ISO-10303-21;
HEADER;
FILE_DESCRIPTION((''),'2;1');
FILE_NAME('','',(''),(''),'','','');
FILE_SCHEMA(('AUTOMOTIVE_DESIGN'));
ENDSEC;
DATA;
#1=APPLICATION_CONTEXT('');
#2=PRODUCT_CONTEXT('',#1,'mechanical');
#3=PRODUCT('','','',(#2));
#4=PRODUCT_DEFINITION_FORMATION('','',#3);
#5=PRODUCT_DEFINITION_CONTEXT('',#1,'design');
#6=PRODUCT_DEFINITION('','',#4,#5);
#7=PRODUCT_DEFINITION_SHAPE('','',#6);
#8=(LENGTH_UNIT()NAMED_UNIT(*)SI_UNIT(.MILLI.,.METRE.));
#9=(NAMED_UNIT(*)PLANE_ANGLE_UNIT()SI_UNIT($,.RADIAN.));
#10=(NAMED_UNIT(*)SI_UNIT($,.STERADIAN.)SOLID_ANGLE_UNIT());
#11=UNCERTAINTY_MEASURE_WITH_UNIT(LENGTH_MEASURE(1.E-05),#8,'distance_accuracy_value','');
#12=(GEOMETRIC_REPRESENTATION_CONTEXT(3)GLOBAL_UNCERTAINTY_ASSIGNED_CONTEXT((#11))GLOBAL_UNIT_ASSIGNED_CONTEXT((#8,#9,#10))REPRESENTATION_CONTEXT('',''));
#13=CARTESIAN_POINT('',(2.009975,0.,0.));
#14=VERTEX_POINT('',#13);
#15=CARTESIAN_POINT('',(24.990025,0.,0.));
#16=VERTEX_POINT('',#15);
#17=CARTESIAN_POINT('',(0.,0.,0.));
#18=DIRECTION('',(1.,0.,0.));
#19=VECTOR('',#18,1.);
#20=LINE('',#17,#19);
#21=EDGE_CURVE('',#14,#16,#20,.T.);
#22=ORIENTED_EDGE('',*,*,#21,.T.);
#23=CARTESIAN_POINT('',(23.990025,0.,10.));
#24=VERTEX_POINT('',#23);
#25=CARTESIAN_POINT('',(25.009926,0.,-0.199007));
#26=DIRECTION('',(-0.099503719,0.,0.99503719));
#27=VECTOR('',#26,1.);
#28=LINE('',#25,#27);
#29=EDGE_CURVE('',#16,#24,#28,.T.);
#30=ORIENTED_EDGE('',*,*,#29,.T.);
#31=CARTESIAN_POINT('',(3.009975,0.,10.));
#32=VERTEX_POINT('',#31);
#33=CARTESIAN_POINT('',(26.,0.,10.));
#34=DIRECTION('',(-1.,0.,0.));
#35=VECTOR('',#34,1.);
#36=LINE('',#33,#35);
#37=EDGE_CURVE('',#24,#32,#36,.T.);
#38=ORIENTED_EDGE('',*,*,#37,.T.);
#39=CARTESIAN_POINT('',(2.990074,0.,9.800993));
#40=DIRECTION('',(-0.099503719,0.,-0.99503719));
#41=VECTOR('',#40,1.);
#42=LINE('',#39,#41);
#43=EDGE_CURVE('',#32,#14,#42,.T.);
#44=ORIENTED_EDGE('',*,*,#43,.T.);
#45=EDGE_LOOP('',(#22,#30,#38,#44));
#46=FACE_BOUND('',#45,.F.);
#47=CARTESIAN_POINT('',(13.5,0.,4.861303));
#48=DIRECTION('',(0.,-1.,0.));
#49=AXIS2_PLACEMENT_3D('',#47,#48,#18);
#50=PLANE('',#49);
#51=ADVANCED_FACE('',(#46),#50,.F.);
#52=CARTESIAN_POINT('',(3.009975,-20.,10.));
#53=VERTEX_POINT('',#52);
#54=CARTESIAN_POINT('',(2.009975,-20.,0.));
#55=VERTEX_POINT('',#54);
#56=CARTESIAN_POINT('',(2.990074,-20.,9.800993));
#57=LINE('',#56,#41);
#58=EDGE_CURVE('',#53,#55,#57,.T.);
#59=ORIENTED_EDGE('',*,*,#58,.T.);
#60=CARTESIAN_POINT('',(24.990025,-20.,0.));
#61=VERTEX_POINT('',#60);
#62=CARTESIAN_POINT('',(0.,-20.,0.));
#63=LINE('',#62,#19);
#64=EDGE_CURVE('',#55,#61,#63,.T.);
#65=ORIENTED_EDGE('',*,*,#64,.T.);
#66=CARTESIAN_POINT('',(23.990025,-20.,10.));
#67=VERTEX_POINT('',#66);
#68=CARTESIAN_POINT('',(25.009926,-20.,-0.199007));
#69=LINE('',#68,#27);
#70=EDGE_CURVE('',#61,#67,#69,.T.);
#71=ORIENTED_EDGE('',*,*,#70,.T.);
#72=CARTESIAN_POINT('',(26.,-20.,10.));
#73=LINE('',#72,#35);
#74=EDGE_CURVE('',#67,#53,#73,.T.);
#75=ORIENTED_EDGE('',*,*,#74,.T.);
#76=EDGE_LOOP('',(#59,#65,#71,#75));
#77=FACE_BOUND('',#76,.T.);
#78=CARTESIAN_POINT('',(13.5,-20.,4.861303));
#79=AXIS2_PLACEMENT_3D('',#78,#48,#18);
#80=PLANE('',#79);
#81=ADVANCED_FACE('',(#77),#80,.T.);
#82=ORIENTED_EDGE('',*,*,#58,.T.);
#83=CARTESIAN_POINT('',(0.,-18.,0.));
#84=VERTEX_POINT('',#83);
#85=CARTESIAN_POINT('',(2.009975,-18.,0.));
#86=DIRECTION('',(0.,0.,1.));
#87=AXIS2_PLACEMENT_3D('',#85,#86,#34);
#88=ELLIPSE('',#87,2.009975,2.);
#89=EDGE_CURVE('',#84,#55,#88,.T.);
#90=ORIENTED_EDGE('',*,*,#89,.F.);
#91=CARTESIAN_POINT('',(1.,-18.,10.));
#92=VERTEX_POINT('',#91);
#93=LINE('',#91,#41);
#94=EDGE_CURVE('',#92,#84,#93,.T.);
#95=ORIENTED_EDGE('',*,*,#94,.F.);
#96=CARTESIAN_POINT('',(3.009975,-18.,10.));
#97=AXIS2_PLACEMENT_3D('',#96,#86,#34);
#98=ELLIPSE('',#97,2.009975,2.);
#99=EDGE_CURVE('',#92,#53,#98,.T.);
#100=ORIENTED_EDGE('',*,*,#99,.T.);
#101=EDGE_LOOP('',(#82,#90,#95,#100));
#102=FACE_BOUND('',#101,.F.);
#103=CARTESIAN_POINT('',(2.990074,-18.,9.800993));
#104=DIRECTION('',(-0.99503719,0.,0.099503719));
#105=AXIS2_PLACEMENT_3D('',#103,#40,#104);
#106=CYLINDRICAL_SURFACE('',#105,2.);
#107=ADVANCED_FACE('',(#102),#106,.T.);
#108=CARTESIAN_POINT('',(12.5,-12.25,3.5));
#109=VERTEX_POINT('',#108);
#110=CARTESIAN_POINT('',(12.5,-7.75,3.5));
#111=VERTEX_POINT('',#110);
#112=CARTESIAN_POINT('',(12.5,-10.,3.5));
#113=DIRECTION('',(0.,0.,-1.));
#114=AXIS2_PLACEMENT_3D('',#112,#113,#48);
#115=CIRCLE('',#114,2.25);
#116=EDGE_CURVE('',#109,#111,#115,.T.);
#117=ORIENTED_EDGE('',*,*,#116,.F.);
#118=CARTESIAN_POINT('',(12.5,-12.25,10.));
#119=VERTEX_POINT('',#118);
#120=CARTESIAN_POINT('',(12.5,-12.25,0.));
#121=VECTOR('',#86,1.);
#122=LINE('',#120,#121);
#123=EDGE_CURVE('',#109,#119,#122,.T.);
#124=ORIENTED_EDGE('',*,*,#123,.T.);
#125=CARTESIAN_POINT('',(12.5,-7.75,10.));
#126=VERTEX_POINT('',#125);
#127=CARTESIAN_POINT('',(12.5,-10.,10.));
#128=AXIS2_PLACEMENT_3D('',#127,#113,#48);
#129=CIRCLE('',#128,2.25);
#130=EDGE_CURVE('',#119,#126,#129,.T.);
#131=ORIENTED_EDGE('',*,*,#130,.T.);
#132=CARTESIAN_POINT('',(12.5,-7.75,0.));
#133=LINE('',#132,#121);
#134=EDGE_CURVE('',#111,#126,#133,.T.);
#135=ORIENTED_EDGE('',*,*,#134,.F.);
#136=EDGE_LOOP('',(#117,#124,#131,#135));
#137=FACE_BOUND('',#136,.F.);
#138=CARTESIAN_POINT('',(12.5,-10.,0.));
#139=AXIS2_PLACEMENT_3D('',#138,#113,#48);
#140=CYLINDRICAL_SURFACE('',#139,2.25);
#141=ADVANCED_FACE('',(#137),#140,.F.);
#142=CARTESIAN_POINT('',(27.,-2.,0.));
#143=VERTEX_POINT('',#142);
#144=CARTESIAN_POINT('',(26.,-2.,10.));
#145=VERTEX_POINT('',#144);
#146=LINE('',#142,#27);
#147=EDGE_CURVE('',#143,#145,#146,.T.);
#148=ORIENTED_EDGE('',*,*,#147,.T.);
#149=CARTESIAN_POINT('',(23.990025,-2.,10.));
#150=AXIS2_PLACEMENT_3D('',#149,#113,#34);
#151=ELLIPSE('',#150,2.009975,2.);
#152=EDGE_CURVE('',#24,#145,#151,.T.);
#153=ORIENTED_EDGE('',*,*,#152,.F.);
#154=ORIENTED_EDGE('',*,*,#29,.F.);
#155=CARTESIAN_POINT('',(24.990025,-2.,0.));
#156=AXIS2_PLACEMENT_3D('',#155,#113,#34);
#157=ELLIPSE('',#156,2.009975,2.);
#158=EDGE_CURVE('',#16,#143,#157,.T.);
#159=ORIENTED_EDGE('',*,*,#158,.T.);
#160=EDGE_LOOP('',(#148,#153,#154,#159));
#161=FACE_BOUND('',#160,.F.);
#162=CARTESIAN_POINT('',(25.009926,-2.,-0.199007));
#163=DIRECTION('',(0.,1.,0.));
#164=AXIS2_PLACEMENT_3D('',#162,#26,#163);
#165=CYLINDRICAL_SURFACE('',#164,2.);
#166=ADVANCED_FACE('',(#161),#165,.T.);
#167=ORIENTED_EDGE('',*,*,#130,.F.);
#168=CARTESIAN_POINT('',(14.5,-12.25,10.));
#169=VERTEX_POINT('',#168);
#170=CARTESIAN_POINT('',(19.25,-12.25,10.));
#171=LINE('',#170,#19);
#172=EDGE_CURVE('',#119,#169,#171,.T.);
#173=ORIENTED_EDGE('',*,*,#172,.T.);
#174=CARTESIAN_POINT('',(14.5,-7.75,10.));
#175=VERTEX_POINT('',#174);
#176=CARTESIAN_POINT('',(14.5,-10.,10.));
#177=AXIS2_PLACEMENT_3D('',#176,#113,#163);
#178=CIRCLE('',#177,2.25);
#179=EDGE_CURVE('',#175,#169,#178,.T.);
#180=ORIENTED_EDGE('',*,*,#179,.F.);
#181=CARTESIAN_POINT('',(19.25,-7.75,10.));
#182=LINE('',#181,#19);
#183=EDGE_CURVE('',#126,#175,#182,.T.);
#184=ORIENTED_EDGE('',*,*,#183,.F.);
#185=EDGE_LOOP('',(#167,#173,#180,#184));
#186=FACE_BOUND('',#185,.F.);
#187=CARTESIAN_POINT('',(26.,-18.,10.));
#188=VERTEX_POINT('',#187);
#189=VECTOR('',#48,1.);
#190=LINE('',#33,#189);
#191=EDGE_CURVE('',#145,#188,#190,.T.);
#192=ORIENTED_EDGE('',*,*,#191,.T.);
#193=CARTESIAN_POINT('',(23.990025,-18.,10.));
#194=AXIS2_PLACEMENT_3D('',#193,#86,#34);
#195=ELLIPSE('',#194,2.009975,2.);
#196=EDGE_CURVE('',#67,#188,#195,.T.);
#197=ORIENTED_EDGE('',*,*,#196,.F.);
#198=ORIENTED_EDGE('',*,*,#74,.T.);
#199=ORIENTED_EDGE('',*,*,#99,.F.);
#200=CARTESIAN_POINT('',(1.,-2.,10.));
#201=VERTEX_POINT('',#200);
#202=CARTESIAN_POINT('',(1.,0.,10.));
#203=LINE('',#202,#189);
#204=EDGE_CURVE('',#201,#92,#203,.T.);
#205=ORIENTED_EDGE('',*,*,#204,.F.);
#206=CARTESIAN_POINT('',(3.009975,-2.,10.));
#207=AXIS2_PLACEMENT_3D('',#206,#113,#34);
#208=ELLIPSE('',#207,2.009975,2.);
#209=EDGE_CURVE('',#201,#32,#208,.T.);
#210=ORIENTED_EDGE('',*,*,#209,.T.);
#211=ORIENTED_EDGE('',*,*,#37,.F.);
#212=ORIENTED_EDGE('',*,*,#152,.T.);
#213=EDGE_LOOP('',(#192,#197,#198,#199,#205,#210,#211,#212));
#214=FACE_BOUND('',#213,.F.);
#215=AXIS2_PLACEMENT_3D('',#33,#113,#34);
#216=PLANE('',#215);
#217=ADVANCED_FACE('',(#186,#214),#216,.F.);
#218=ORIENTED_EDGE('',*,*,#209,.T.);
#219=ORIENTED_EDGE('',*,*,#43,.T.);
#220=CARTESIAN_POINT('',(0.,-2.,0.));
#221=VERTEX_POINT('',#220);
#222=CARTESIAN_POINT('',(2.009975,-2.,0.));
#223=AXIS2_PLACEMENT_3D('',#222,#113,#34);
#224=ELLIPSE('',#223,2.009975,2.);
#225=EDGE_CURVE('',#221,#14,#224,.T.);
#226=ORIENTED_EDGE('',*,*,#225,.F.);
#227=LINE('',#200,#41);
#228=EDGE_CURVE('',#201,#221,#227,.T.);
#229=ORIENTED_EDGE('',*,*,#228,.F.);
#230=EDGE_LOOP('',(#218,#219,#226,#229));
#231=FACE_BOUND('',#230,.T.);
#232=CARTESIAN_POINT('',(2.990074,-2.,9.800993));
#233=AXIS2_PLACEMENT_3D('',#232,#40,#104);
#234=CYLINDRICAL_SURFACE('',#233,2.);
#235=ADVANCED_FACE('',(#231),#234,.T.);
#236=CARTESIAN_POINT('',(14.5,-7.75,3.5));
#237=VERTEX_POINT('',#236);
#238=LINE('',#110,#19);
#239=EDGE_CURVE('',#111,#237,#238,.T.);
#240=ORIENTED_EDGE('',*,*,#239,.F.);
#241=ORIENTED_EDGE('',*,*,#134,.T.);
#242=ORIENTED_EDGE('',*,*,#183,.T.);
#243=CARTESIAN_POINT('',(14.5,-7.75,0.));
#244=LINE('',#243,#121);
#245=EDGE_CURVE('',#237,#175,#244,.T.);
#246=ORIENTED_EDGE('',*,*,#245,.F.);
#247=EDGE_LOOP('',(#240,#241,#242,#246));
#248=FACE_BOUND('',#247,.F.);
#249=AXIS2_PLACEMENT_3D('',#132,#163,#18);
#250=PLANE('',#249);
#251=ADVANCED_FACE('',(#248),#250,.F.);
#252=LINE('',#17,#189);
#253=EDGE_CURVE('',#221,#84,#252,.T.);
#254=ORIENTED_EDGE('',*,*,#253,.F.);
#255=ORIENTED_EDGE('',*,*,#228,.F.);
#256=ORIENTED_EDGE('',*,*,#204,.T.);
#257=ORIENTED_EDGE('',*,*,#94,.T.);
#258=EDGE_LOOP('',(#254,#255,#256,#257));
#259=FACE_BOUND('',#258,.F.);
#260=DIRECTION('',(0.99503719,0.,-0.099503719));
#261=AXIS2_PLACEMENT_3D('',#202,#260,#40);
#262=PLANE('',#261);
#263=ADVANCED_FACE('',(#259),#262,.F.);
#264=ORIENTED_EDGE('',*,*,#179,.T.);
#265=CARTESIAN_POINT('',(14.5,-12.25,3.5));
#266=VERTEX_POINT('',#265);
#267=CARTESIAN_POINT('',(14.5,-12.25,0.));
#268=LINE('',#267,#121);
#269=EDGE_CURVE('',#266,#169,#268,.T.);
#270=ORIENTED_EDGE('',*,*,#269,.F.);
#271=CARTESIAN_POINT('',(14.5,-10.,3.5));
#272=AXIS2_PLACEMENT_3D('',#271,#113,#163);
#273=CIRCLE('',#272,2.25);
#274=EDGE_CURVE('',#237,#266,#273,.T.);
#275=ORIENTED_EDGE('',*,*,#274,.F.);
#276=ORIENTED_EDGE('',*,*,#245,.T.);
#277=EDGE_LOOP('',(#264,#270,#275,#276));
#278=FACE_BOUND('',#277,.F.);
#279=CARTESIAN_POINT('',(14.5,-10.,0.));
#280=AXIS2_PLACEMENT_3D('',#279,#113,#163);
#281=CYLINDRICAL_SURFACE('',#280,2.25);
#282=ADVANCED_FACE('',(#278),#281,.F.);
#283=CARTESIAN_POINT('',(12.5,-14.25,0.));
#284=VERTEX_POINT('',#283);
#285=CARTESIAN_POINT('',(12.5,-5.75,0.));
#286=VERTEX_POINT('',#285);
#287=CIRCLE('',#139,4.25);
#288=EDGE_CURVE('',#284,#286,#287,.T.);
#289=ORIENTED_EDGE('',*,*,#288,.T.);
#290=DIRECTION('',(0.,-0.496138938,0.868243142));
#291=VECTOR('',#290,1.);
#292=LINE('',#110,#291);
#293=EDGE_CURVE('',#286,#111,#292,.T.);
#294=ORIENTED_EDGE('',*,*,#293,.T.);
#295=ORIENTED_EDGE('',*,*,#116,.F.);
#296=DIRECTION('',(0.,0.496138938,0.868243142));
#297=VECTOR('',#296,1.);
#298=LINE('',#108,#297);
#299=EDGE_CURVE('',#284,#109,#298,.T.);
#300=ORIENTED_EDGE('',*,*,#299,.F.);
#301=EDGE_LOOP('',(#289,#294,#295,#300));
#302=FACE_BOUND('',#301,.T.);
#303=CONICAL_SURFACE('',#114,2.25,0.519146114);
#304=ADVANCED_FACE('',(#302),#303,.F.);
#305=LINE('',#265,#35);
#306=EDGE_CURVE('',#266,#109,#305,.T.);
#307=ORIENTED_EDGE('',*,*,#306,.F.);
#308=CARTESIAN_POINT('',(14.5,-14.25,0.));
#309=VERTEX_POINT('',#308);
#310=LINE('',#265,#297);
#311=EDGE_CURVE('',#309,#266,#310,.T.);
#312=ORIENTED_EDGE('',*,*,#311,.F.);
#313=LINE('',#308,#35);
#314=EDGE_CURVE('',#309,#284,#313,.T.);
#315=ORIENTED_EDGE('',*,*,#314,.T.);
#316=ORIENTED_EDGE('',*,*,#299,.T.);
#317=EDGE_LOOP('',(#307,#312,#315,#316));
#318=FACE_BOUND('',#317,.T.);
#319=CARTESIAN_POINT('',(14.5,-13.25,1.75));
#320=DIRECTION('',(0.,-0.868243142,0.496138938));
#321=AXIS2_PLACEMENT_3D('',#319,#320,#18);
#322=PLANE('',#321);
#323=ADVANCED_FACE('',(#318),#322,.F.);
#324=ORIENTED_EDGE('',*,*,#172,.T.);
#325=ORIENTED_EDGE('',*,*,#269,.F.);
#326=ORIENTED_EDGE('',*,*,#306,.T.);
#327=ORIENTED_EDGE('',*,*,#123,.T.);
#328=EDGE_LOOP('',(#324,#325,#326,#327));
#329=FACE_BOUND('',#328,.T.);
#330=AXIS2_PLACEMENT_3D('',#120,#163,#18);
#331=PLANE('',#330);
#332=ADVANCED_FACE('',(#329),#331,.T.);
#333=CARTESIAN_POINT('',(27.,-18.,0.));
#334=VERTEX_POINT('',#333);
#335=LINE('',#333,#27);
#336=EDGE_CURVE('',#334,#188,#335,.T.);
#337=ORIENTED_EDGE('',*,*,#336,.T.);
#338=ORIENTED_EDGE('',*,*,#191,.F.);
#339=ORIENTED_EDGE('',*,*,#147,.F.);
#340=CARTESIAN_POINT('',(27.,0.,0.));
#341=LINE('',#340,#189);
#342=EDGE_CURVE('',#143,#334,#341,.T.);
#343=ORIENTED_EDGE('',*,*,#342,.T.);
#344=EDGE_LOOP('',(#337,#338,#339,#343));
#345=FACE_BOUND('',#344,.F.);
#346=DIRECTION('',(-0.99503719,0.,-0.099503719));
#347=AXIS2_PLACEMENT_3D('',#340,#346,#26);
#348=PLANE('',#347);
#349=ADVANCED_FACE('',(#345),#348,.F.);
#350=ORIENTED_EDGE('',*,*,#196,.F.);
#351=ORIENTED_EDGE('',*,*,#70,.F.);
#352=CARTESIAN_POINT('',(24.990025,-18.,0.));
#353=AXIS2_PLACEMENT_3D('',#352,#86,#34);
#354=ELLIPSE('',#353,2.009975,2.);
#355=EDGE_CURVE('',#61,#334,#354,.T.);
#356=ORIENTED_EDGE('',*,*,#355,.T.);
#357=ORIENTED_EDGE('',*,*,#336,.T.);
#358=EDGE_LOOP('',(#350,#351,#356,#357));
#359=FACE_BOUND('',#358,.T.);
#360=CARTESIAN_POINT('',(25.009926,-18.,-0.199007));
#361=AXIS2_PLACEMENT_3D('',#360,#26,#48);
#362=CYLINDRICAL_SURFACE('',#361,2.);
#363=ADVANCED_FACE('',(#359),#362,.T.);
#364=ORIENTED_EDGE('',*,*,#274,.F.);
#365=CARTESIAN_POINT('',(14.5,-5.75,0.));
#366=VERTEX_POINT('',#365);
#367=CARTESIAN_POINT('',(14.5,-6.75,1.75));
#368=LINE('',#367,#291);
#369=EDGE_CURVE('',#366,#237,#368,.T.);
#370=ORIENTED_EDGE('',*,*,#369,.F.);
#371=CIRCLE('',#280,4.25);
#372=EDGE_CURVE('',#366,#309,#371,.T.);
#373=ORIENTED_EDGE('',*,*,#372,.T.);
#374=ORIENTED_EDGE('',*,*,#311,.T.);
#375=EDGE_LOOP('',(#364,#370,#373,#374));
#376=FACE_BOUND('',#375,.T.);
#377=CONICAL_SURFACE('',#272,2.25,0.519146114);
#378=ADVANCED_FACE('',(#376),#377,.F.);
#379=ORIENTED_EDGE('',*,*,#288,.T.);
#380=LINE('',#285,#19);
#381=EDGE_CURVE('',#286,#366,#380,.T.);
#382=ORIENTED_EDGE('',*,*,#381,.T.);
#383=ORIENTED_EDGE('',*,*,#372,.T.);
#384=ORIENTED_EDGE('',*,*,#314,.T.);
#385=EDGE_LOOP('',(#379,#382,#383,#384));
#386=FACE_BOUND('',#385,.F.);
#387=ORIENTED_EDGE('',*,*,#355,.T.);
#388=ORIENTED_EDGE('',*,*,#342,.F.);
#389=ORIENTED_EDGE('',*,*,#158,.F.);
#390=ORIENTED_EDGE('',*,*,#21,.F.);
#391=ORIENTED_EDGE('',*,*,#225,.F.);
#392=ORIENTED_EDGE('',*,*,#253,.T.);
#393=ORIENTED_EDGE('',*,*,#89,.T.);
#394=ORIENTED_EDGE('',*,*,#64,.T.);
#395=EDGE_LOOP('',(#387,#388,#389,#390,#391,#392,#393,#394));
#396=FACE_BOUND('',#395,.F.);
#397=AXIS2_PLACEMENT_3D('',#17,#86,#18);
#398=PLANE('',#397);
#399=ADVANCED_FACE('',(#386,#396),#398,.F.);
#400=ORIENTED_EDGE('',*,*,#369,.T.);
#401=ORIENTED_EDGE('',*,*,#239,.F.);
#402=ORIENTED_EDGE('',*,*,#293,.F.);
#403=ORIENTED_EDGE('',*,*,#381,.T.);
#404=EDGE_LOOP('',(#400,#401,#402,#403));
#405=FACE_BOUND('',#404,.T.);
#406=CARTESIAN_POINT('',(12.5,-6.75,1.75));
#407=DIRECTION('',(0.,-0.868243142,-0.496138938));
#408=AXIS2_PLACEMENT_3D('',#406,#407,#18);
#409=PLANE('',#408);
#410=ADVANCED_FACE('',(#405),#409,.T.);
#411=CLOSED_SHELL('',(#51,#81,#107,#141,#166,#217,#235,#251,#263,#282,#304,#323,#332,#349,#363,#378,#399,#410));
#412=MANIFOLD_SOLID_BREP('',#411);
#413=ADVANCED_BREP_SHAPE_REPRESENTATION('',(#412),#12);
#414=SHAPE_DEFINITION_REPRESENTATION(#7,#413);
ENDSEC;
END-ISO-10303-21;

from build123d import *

# Parameters (mm, degrees)
PAD_DEPTH     = 20
POCKET_DEPTH  = 10.001
CHAMFER_SIZE2 = 3.5
CHAMFER_SIZE  = 2
FILLET_R      = 2


with BuildPart() as part:
    # Sketch → Pad (new body)
    with BuildSketch(Plane.XZ):
        Polygon((0, 0), (27, 0), (26, 10), (1, 10), align=None)
    extrude(amount=PAD_DEPTH)

    # Sketch001 (on Face1 of Pad) → Pocket (cut, through all)
    with BuildSketch(Plane(origin=(0, 0, 0), x_dir=(1, 0, 0), z_dir=(0, 0, -1))):
        with BuildLine():
            ThreePointArc((12.5, 12.25), (10.25, 10), (12.5, 7.75))
            Line((12.5, 7.75), (14.5, 7.75))
            ThreePointArc((14.5, 7.75), (16.75, 10), (14.5, 12.25))
            Line((12.5, 12.25), (14.5, 12.25))
        make_face()
    extrude(amount=-POCKET_DEPTH, mode=Mode.SUBTRACT)

    # Chamfer
    chamfer_edges = [part.edges().sort_by_distance(p)[0] for p in [
        (10.25, -10, 0),
        (13.5, -12.25, 0),
        (16.75, -10, 0),
        (13.5, -7.75, 0),
    ]]
    chamfer_side = part.faces().sort_by_distance((0.336006, -10, 0))[0]
    chamfer(chamfer_edges, length=CHAMFER_SIZE, length2=CHAMFER_SIZE2, reference=chamfer_side)

    # Fillet
    fillet_edges = [part.edges().sort_by_distance(p)[0] for p in [
        (26.5, -20, 5),
        (0.5, -20, 5),
        (26.5, 0, 5),
        (0.5, 0, 5),
    ]]
    fillet(fillet_edges, radius=FILLET_R)


solid = part.part
